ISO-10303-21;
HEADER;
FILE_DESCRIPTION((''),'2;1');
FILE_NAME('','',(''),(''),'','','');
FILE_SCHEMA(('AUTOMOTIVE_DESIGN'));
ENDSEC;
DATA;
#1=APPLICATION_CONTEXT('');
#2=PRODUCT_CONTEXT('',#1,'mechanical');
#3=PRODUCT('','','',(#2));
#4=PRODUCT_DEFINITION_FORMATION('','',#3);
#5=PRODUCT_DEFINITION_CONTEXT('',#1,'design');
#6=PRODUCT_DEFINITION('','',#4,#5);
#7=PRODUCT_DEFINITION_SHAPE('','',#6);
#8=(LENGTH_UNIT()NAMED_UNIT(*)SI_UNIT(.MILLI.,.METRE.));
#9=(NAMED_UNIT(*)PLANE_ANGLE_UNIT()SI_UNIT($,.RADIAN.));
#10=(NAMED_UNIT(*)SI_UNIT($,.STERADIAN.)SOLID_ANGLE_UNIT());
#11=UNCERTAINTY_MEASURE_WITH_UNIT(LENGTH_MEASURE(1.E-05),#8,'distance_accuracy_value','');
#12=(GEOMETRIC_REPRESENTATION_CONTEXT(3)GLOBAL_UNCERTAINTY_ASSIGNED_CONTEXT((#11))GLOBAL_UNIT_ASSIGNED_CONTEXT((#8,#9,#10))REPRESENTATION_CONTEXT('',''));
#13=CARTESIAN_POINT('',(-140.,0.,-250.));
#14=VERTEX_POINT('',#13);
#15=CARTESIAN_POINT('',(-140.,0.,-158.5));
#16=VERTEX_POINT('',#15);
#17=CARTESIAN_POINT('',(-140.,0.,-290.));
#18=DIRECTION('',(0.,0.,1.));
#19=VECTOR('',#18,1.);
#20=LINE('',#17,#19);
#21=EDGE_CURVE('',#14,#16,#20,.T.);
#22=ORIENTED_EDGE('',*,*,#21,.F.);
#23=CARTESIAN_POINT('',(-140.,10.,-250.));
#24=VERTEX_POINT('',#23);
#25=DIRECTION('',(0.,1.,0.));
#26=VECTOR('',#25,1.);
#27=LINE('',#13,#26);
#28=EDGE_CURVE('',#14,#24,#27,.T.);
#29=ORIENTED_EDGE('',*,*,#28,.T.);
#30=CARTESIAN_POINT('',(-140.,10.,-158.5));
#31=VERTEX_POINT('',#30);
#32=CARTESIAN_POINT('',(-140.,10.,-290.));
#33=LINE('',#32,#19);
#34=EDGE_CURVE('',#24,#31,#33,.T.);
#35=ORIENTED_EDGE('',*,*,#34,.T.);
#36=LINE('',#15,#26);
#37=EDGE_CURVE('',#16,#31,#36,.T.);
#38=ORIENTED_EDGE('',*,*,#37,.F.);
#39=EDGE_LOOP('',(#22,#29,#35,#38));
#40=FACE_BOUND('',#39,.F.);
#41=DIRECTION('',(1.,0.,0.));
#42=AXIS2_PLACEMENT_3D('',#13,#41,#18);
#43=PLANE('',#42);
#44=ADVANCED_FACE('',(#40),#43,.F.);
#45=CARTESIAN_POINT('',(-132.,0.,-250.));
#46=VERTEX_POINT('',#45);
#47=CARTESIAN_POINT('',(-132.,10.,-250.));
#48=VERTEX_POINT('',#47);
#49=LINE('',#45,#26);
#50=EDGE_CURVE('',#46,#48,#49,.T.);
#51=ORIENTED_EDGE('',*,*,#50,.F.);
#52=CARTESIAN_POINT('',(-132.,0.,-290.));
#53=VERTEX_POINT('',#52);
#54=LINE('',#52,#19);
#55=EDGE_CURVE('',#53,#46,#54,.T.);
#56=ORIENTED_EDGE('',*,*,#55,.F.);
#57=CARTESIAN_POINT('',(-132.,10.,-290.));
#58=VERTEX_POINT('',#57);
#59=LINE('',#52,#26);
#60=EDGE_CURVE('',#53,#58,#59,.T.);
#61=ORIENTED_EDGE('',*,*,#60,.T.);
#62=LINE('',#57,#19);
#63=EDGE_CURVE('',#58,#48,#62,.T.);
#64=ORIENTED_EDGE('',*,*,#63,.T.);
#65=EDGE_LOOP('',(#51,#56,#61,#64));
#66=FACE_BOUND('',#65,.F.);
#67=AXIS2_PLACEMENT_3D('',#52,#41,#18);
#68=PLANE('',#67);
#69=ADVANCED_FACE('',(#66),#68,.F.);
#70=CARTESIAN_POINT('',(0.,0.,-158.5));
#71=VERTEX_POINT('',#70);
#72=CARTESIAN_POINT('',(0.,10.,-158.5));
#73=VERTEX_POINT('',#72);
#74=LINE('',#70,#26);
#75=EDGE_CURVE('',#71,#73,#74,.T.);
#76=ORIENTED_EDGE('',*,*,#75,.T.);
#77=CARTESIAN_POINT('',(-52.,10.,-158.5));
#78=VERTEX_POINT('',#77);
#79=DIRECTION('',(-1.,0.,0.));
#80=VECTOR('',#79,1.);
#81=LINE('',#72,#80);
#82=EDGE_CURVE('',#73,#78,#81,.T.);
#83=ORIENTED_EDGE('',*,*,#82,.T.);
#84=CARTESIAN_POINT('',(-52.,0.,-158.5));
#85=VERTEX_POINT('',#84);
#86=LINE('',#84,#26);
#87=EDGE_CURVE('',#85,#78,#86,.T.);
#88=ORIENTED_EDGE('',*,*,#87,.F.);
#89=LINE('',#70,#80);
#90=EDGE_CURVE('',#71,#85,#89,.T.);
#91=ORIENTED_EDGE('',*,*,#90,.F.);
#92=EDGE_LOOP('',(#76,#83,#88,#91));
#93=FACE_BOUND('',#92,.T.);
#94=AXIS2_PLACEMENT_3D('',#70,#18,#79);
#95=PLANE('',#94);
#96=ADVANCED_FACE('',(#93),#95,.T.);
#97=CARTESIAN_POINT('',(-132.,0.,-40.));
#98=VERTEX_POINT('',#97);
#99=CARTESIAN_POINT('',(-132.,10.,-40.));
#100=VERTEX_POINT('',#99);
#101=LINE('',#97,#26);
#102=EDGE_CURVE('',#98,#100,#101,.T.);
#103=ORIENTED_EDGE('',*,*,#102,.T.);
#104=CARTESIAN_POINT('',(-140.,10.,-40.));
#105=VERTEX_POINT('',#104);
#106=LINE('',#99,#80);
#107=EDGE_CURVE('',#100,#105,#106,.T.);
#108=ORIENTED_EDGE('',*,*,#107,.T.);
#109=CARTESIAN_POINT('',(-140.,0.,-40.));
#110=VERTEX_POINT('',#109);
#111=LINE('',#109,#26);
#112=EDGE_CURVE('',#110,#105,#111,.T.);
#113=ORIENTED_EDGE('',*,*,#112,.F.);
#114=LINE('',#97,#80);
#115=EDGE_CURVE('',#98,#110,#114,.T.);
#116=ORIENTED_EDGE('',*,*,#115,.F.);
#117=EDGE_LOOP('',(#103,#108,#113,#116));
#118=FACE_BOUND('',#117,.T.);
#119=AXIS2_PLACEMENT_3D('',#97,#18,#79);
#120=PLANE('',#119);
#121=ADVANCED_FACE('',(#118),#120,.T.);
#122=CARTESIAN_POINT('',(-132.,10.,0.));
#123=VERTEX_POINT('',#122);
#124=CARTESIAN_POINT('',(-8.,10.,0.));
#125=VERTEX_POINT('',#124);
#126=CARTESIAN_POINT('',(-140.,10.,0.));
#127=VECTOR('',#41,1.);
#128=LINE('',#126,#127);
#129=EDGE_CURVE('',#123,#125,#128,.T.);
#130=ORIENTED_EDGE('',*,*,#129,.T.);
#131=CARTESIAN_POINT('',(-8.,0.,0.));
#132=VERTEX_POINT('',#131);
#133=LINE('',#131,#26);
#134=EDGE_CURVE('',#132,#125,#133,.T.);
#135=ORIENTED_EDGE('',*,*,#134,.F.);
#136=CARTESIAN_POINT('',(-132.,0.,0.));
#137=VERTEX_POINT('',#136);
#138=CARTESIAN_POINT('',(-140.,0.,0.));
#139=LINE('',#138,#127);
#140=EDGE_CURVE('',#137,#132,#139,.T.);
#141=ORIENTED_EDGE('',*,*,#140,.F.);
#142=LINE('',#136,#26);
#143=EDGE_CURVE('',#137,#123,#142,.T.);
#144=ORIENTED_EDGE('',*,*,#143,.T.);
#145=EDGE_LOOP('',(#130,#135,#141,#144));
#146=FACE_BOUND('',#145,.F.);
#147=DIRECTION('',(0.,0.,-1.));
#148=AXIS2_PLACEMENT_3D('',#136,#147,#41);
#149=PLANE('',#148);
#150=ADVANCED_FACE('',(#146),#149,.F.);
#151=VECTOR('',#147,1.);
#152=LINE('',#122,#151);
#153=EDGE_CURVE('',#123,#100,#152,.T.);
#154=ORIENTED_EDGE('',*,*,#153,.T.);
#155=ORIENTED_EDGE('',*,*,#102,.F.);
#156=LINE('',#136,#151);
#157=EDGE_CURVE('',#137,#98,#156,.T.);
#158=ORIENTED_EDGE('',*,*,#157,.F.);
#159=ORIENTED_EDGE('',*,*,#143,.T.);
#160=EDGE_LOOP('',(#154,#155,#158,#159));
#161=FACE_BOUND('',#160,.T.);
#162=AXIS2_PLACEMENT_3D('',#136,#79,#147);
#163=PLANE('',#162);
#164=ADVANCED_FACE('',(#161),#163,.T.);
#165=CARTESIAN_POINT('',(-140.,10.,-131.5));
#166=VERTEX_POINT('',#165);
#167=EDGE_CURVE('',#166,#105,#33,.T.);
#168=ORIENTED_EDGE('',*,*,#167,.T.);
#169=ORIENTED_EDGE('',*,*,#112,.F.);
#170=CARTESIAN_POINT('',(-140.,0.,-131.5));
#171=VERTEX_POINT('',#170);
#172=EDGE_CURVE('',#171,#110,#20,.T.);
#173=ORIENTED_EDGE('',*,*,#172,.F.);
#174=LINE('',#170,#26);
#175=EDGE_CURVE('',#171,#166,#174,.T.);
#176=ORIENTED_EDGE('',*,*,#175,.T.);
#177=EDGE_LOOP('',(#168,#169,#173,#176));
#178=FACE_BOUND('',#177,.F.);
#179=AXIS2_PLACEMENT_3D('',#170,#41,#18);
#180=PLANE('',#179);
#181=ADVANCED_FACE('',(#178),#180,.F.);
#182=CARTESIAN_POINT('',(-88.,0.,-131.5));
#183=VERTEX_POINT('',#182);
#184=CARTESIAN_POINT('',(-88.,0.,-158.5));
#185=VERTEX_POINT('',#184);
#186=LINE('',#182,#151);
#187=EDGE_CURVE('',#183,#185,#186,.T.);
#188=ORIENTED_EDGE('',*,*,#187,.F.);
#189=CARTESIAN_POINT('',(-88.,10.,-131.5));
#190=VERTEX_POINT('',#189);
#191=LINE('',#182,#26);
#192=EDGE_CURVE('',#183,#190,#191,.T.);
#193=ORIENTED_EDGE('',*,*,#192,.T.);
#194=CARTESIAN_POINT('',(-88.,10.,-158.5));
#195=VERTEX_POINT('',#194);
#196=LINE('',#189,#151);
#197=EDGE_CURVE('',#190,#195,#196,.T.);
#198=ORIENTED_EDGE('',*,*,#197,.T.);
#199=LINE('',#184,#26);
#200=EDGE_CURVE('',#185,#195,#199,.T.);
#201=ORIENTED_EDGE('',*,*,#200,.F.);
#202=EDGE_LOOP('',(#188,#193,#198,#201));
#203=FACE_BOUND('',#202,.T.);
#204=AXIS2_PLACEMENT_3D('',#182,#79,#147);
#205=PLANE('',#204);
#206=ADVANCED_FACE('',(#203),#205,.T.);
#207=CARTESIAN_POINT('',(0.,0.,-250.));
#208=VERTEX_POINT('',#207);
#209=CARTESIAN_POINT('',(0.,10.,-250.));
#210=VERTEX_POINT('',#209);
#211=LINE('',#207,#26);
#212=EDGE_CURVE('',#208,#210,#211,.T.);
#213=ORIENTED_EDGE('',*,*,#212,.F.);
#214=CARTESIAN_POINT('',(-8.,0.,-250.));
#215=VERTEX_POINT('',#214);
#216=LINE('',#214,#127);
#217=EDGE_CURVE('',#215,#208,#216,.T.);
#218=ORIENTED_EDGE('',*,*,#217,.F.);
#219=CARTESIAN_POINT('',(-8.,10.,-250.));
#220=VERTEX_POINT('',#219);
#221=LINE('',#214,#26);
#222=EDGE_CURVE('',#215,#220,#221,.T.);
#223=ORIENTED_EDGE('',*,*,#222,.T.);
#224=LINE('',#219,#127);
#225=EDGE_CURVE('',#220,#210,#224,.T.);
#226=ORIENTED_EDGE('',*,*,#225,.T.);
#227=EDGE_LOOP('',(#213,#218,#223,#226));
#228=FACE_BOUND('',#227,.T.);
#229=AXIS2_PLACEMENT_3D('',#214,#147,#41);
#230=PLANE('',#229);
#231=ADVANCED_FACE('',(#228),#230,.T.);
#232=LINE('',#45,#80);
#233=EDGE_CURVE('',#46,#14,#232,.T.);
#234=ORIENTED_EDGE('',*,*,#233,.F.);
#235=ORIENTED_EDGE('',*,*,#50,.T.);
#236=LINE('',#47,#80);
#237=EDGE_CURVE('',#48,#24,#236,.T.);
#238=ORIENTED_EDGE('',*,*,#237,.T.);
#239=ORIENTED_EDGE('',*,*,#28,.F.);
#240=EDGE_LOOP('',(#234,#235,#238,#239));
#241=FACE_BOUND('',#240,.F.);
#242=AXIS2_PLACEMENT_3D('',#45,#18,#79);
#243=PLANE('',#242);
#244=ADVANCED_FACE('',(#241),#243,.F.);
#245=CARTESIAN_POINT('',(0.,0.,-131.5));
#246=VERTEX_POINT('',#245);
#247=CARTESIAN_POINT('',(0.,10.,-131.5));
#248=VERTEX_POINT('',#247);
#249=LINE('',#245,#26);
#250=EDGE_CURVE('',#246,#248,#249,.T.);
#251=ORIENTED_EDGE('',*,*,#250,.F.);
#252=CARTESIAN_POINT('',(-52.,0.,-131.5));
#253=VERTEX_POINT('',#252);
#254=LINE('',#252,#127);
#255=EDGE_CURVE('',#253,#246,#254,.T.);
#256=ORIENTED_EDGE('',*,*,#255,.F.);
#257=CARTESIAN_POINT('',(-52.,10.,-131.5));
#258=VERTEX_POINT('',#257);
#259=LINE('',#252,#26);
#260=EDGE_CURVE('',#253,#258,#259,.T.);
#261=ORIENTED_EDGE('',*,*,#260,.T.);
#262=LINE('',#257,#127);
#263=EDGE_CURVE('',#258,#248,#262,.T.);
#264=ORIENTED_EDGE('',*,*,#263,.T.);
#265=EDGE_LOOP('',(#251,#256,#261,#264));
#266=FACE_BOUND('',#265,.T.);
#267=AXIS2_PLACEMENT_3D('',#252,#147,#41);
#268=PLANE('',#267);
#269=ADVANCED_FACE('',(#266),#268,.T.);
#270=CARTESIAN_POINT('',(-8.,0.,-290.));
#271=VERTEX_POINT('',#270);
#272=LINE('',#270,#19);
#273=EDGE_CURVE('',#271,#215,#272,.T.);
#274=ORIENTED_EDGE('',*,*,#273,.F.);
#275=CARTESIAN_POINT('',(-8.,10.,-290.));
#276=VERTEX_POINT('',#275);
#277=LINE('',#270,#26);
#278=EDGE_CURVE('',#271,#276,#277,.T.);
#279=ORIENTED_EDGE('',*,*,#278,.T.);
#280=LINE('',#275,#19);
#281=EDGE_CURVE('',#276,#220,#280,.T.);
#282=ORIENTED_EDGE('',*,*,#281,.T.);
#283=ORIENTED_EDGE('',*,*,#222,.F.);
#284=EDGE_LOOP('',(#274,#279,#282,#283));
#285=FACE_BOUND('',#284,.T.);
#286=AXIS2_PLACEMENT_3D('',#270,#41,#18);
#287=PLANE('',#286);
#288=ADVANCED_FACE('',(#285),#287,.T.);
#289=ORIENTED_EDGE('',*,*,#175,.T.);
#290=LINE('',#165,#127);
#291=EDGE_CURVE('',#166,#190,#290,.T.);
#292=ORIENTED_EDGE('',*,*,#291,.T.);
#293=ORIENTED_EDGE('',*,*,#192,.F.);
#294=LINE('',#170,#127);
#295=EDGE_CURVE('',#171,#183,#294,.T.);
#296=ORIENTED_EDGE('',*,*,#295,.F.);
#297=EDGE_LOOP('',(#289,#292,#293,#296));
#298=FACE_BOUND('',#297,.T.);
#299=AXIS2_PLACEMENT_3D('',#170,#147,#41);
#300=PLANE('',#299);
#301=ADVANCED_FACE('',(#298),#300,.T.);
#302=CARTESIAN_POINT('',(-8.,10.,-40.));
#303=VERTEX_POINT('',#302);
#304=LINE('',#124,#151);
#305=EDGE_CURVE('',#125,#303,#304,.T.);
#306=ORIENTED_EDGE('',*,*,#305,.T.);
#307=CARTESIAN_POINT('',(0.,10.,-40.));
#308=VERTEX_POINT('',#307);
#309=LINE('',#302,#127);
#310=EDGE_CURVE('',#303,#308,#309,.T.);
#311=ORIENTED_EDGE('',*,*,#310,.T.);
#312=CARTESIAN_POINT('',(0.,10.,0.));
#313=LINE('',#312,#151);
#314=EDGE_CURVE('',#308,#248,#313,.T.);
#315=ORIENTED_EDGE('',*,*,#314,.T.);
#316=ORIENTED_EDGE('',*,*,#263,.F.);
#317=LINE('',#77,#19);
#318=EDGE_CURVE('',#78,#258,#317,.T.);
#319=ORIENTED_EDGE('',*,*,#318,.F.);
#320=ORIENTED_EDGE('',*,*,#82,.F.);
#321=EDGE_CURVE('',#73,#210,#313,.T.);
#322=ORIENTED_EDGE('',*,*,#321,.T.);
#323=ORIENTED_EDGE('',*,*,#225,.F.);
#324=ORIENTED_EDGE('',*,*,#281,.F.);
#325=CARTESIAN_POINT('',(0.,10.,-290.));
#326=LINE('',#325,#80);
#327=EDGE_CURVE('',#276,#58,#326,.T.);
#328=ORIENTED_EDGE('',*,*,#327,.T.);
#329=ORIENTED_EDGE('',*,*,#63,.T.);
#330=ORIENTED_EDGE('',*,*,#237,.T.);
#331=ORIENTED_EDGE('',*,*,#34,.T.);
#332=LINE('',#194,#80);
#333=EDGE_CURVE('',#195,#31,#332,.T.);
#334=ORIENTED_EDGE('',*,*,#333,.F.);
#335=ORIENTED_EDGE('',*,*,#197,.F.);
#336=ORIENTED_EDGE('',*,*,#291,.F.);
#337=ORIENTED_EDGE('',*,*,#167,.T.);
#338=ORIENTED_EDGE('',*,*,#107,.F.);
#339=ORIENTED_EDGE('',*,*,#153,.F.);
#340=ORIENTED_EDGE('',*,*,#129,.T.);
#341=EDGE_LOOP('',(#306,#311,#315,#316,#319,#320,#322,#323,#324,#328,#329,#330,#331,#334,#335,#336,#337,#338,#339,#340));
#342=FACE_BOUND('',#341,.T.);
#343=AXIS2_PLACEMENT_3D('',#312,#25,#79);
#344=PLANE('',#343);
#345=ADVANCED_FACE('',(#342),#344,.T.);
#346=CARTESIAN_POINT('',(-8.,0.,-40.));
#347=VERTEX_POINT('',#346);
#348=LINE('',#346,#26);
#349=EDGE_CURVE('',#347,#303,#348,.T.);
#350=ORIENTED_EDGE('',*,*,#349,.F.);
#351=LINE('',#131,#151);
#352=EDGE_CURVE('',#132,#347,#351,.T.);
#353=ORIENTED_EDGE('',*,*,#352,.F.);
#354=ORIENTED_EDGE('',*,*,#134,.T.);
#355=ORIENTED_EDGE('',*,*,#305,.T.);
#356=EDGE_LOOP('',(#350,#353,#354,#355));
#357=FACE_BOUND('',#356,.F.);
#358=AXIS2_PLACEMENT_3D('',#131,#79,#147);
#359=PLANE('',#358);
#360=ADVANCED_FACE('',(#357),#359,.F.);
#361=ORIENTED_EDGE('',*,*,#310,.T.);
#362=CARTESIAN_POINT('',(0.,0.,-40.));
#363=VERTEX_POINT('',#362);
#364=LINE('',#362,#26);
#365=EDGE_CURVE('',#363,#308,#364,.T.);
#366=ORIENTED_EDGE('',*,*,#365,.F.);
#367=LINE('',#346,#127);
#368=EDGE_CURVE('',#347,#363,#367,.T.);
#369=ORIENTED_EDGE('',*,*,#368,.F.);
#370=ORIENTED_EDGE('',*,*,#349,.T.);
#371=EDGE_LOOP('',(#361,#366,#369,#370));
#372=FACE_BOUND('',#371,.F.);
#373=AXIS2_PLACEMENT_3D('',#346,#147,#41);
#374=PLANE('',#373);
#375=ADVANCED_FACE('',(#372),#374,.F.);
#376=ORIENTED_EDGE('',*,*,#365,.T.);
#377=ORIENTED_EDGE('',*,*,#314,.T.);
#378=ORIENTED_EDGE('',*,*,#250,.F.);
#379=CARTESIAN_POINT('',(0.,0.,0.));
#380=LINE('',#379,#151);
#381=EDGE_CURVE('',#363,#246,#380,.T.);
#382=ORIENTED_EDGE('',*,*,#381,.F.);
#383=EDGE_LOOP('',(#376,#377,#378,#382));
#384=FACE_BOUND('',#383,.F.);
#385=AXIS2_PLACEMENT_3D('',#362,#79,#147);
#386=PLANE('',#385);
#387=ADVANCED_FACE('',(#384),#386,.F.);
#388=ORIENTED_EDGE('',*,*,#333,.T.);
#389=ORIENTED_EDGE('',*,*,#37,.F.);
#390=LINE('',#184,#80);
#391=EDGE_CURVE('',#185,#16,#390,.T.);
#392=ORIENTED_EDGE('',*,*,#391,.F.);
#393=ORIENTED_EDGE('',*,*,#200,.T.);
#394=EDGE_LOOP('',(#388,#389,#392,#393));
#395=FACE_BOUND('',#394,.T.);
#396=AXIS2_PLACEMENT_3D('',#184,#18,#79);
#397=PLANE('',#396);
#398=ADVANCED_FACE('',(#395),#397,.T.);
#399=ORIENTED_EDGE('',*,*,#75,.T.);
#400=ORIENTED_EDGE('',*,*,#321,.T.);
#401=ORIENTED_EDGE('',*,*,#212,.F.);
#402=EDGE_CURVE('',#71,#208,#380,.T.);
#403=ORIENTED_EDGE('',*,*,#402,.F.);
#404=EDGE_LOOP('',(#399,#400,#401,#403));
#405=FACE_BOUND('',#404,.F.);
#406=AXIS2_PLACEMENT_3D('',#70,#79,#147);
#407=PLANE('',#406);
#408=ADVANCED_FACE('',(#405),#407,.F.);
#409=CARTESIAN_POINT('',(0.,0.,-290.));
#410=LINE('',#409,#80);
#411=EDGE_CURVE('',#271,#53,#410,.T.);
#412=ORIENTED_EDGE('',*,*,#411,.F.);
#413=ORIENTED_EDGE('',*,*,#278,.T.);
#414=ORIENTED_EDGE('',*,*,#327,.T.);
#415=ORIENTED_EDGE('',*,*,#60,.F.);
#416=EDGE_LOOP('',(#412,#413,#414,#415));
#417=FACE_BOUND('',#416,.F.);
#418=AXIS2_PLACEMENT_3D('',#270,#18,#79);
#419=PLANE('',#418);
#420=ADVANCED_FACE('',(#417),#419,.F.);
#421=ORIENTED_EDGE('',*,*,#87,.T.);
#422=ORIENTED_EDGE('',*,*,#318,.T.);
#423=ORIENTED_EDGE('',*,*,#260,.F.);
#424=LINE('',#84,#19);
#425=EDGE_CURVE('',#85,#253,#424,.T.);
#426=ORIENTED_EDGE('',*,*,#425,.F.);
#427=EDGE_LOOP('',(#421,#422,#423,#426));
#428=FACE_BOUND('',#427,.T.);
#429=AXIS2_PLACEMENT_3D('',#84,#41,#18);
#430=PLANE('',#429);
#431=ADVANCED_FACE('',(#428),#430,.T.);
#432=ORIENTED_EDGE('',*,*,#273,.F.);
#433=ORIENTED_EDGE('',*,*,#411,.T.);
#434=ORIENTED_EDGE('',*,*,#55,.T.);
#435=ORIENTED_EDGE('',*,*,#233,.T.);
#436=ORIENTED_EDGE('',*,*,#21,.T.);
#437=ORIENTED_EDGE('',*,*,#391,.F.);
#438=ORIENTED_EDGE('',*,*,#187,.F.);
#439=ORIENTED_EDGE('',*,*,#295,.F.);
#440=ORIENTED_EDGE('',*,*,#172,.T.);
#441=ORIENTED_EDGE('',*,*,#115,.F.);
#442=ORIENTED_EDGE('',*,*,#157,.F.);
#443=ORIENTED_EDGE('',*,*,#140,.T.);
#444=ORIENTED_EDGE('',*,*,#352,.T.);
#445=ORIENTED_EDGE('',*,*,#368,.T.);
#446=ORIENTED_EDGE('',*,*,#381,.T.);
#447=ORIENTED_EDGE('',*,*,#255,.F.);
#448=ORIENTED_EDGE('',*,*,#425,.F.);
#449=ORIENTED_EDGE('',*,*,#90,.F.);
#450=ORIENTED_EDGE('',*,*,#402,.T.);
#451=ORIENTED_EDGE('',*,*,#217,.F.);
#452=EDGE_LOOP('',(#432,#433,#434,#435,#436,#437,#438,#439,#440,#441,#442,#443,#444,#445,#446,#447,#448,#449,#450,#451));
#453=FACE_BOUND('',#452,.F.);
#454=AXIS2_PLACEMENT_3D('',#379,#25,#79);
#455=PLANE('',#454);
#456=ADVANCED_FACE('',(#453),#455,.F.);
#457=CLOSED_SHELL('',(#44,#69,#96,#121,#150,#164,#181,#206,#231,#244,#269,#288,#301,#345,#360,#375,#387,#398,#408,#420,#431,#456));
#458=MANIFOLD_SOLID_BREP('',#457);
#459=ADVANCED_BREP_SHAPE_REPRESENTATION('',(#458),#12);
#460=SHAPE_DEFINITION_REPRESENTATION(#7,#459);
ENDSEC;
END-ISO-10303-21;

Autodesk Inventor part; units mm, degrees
ref_plane "YZ Plane" through (0, 0, 0) normal (1, 0, 0) x (0, 1, 0)
ref_plane "XZ Plane" through (0, 0, 0) normal (0, 1, 0) x (-1, 0, 0)
ref_plane "XY Plane" through (0, 0, 0) normal (0, 0, 1) x (1, 0, 0)
sketch "草圖1" plane through (0, 0, 0) normal (0, 1, 0) x (-1, 0, 0)
  line L0 (140, 0) -> (0, 0)
  line L1 (0, 0) -> (0, -290)
  line L2 (0, -290) -> (140, -290)
  line L3 (140, -290) -> (140, 0)
  line L4 (0, 0) -> (8, 0)
  line L5 (8, 0) -> (8, -40)
  line L6 (8, -40) -> (0, -40)
  line L7 (0, -40) -> (0, 0)
  line L8 (140, 0) -> (132, 0)
  line L9 (132, 0) -> (132, -40)
  line L10 (132, -40) -> (140, -40)
  line L11 (140, -40) -> (140, 0)
  line L12 (140, -290) -> (132, -290)
  line L13 (132, -290) -> (132, -250)
  line L14 (132, -250) -> (140, -250)
  line L15 (140, -250) -> (140, -290)
  line L16 (0, -290) -> (8, -290)
  line L17 (8, -290) -> (8, -250)
  line L18 (8, -250) -> (0, -250)
  line L19 (0, -250) -> (0, -290)
  line L20 (140, -131.5) -> (88, -131.5)
  line L21 (88, -131.5) -> (88, -158.5)
  line L22 (88, -158.5) -> (140, -158.5)
  line L23 (140, -158.5) -> (140, -131.5)
  line L24 (52, -131.5) -> (0, -131.5)
  line L25 (0, -131.5) -> (0, -158.5)
  line L26 (0, -158.5) -> (52, -158.5)
  line L27 (52, -158.5) -> (52, -131.5)
  point P0 (140, -145)
  point P1 (0, -145)
  point P2 (0, -40)
  point P3 (0, -131.5)
  point P4 (0, -158.5)
  point P5 (0, -250)
  point P6 (132, -290)
  dimension "d0" = 140
  dimension "d1" = 290
  dimension "d2" = 8
  dimension "d3" = 40
  dimension "d4" = 52
  dimension "d5" = 27
extrude "擠出1" add sketch "草圖1" along normal blind 10 contours L9 L10 L3 L20 L21 L22 L14 L13 L2 L17 L18 L1 L26 L27 L24 L6 L5 L0
properties part number "plate"
